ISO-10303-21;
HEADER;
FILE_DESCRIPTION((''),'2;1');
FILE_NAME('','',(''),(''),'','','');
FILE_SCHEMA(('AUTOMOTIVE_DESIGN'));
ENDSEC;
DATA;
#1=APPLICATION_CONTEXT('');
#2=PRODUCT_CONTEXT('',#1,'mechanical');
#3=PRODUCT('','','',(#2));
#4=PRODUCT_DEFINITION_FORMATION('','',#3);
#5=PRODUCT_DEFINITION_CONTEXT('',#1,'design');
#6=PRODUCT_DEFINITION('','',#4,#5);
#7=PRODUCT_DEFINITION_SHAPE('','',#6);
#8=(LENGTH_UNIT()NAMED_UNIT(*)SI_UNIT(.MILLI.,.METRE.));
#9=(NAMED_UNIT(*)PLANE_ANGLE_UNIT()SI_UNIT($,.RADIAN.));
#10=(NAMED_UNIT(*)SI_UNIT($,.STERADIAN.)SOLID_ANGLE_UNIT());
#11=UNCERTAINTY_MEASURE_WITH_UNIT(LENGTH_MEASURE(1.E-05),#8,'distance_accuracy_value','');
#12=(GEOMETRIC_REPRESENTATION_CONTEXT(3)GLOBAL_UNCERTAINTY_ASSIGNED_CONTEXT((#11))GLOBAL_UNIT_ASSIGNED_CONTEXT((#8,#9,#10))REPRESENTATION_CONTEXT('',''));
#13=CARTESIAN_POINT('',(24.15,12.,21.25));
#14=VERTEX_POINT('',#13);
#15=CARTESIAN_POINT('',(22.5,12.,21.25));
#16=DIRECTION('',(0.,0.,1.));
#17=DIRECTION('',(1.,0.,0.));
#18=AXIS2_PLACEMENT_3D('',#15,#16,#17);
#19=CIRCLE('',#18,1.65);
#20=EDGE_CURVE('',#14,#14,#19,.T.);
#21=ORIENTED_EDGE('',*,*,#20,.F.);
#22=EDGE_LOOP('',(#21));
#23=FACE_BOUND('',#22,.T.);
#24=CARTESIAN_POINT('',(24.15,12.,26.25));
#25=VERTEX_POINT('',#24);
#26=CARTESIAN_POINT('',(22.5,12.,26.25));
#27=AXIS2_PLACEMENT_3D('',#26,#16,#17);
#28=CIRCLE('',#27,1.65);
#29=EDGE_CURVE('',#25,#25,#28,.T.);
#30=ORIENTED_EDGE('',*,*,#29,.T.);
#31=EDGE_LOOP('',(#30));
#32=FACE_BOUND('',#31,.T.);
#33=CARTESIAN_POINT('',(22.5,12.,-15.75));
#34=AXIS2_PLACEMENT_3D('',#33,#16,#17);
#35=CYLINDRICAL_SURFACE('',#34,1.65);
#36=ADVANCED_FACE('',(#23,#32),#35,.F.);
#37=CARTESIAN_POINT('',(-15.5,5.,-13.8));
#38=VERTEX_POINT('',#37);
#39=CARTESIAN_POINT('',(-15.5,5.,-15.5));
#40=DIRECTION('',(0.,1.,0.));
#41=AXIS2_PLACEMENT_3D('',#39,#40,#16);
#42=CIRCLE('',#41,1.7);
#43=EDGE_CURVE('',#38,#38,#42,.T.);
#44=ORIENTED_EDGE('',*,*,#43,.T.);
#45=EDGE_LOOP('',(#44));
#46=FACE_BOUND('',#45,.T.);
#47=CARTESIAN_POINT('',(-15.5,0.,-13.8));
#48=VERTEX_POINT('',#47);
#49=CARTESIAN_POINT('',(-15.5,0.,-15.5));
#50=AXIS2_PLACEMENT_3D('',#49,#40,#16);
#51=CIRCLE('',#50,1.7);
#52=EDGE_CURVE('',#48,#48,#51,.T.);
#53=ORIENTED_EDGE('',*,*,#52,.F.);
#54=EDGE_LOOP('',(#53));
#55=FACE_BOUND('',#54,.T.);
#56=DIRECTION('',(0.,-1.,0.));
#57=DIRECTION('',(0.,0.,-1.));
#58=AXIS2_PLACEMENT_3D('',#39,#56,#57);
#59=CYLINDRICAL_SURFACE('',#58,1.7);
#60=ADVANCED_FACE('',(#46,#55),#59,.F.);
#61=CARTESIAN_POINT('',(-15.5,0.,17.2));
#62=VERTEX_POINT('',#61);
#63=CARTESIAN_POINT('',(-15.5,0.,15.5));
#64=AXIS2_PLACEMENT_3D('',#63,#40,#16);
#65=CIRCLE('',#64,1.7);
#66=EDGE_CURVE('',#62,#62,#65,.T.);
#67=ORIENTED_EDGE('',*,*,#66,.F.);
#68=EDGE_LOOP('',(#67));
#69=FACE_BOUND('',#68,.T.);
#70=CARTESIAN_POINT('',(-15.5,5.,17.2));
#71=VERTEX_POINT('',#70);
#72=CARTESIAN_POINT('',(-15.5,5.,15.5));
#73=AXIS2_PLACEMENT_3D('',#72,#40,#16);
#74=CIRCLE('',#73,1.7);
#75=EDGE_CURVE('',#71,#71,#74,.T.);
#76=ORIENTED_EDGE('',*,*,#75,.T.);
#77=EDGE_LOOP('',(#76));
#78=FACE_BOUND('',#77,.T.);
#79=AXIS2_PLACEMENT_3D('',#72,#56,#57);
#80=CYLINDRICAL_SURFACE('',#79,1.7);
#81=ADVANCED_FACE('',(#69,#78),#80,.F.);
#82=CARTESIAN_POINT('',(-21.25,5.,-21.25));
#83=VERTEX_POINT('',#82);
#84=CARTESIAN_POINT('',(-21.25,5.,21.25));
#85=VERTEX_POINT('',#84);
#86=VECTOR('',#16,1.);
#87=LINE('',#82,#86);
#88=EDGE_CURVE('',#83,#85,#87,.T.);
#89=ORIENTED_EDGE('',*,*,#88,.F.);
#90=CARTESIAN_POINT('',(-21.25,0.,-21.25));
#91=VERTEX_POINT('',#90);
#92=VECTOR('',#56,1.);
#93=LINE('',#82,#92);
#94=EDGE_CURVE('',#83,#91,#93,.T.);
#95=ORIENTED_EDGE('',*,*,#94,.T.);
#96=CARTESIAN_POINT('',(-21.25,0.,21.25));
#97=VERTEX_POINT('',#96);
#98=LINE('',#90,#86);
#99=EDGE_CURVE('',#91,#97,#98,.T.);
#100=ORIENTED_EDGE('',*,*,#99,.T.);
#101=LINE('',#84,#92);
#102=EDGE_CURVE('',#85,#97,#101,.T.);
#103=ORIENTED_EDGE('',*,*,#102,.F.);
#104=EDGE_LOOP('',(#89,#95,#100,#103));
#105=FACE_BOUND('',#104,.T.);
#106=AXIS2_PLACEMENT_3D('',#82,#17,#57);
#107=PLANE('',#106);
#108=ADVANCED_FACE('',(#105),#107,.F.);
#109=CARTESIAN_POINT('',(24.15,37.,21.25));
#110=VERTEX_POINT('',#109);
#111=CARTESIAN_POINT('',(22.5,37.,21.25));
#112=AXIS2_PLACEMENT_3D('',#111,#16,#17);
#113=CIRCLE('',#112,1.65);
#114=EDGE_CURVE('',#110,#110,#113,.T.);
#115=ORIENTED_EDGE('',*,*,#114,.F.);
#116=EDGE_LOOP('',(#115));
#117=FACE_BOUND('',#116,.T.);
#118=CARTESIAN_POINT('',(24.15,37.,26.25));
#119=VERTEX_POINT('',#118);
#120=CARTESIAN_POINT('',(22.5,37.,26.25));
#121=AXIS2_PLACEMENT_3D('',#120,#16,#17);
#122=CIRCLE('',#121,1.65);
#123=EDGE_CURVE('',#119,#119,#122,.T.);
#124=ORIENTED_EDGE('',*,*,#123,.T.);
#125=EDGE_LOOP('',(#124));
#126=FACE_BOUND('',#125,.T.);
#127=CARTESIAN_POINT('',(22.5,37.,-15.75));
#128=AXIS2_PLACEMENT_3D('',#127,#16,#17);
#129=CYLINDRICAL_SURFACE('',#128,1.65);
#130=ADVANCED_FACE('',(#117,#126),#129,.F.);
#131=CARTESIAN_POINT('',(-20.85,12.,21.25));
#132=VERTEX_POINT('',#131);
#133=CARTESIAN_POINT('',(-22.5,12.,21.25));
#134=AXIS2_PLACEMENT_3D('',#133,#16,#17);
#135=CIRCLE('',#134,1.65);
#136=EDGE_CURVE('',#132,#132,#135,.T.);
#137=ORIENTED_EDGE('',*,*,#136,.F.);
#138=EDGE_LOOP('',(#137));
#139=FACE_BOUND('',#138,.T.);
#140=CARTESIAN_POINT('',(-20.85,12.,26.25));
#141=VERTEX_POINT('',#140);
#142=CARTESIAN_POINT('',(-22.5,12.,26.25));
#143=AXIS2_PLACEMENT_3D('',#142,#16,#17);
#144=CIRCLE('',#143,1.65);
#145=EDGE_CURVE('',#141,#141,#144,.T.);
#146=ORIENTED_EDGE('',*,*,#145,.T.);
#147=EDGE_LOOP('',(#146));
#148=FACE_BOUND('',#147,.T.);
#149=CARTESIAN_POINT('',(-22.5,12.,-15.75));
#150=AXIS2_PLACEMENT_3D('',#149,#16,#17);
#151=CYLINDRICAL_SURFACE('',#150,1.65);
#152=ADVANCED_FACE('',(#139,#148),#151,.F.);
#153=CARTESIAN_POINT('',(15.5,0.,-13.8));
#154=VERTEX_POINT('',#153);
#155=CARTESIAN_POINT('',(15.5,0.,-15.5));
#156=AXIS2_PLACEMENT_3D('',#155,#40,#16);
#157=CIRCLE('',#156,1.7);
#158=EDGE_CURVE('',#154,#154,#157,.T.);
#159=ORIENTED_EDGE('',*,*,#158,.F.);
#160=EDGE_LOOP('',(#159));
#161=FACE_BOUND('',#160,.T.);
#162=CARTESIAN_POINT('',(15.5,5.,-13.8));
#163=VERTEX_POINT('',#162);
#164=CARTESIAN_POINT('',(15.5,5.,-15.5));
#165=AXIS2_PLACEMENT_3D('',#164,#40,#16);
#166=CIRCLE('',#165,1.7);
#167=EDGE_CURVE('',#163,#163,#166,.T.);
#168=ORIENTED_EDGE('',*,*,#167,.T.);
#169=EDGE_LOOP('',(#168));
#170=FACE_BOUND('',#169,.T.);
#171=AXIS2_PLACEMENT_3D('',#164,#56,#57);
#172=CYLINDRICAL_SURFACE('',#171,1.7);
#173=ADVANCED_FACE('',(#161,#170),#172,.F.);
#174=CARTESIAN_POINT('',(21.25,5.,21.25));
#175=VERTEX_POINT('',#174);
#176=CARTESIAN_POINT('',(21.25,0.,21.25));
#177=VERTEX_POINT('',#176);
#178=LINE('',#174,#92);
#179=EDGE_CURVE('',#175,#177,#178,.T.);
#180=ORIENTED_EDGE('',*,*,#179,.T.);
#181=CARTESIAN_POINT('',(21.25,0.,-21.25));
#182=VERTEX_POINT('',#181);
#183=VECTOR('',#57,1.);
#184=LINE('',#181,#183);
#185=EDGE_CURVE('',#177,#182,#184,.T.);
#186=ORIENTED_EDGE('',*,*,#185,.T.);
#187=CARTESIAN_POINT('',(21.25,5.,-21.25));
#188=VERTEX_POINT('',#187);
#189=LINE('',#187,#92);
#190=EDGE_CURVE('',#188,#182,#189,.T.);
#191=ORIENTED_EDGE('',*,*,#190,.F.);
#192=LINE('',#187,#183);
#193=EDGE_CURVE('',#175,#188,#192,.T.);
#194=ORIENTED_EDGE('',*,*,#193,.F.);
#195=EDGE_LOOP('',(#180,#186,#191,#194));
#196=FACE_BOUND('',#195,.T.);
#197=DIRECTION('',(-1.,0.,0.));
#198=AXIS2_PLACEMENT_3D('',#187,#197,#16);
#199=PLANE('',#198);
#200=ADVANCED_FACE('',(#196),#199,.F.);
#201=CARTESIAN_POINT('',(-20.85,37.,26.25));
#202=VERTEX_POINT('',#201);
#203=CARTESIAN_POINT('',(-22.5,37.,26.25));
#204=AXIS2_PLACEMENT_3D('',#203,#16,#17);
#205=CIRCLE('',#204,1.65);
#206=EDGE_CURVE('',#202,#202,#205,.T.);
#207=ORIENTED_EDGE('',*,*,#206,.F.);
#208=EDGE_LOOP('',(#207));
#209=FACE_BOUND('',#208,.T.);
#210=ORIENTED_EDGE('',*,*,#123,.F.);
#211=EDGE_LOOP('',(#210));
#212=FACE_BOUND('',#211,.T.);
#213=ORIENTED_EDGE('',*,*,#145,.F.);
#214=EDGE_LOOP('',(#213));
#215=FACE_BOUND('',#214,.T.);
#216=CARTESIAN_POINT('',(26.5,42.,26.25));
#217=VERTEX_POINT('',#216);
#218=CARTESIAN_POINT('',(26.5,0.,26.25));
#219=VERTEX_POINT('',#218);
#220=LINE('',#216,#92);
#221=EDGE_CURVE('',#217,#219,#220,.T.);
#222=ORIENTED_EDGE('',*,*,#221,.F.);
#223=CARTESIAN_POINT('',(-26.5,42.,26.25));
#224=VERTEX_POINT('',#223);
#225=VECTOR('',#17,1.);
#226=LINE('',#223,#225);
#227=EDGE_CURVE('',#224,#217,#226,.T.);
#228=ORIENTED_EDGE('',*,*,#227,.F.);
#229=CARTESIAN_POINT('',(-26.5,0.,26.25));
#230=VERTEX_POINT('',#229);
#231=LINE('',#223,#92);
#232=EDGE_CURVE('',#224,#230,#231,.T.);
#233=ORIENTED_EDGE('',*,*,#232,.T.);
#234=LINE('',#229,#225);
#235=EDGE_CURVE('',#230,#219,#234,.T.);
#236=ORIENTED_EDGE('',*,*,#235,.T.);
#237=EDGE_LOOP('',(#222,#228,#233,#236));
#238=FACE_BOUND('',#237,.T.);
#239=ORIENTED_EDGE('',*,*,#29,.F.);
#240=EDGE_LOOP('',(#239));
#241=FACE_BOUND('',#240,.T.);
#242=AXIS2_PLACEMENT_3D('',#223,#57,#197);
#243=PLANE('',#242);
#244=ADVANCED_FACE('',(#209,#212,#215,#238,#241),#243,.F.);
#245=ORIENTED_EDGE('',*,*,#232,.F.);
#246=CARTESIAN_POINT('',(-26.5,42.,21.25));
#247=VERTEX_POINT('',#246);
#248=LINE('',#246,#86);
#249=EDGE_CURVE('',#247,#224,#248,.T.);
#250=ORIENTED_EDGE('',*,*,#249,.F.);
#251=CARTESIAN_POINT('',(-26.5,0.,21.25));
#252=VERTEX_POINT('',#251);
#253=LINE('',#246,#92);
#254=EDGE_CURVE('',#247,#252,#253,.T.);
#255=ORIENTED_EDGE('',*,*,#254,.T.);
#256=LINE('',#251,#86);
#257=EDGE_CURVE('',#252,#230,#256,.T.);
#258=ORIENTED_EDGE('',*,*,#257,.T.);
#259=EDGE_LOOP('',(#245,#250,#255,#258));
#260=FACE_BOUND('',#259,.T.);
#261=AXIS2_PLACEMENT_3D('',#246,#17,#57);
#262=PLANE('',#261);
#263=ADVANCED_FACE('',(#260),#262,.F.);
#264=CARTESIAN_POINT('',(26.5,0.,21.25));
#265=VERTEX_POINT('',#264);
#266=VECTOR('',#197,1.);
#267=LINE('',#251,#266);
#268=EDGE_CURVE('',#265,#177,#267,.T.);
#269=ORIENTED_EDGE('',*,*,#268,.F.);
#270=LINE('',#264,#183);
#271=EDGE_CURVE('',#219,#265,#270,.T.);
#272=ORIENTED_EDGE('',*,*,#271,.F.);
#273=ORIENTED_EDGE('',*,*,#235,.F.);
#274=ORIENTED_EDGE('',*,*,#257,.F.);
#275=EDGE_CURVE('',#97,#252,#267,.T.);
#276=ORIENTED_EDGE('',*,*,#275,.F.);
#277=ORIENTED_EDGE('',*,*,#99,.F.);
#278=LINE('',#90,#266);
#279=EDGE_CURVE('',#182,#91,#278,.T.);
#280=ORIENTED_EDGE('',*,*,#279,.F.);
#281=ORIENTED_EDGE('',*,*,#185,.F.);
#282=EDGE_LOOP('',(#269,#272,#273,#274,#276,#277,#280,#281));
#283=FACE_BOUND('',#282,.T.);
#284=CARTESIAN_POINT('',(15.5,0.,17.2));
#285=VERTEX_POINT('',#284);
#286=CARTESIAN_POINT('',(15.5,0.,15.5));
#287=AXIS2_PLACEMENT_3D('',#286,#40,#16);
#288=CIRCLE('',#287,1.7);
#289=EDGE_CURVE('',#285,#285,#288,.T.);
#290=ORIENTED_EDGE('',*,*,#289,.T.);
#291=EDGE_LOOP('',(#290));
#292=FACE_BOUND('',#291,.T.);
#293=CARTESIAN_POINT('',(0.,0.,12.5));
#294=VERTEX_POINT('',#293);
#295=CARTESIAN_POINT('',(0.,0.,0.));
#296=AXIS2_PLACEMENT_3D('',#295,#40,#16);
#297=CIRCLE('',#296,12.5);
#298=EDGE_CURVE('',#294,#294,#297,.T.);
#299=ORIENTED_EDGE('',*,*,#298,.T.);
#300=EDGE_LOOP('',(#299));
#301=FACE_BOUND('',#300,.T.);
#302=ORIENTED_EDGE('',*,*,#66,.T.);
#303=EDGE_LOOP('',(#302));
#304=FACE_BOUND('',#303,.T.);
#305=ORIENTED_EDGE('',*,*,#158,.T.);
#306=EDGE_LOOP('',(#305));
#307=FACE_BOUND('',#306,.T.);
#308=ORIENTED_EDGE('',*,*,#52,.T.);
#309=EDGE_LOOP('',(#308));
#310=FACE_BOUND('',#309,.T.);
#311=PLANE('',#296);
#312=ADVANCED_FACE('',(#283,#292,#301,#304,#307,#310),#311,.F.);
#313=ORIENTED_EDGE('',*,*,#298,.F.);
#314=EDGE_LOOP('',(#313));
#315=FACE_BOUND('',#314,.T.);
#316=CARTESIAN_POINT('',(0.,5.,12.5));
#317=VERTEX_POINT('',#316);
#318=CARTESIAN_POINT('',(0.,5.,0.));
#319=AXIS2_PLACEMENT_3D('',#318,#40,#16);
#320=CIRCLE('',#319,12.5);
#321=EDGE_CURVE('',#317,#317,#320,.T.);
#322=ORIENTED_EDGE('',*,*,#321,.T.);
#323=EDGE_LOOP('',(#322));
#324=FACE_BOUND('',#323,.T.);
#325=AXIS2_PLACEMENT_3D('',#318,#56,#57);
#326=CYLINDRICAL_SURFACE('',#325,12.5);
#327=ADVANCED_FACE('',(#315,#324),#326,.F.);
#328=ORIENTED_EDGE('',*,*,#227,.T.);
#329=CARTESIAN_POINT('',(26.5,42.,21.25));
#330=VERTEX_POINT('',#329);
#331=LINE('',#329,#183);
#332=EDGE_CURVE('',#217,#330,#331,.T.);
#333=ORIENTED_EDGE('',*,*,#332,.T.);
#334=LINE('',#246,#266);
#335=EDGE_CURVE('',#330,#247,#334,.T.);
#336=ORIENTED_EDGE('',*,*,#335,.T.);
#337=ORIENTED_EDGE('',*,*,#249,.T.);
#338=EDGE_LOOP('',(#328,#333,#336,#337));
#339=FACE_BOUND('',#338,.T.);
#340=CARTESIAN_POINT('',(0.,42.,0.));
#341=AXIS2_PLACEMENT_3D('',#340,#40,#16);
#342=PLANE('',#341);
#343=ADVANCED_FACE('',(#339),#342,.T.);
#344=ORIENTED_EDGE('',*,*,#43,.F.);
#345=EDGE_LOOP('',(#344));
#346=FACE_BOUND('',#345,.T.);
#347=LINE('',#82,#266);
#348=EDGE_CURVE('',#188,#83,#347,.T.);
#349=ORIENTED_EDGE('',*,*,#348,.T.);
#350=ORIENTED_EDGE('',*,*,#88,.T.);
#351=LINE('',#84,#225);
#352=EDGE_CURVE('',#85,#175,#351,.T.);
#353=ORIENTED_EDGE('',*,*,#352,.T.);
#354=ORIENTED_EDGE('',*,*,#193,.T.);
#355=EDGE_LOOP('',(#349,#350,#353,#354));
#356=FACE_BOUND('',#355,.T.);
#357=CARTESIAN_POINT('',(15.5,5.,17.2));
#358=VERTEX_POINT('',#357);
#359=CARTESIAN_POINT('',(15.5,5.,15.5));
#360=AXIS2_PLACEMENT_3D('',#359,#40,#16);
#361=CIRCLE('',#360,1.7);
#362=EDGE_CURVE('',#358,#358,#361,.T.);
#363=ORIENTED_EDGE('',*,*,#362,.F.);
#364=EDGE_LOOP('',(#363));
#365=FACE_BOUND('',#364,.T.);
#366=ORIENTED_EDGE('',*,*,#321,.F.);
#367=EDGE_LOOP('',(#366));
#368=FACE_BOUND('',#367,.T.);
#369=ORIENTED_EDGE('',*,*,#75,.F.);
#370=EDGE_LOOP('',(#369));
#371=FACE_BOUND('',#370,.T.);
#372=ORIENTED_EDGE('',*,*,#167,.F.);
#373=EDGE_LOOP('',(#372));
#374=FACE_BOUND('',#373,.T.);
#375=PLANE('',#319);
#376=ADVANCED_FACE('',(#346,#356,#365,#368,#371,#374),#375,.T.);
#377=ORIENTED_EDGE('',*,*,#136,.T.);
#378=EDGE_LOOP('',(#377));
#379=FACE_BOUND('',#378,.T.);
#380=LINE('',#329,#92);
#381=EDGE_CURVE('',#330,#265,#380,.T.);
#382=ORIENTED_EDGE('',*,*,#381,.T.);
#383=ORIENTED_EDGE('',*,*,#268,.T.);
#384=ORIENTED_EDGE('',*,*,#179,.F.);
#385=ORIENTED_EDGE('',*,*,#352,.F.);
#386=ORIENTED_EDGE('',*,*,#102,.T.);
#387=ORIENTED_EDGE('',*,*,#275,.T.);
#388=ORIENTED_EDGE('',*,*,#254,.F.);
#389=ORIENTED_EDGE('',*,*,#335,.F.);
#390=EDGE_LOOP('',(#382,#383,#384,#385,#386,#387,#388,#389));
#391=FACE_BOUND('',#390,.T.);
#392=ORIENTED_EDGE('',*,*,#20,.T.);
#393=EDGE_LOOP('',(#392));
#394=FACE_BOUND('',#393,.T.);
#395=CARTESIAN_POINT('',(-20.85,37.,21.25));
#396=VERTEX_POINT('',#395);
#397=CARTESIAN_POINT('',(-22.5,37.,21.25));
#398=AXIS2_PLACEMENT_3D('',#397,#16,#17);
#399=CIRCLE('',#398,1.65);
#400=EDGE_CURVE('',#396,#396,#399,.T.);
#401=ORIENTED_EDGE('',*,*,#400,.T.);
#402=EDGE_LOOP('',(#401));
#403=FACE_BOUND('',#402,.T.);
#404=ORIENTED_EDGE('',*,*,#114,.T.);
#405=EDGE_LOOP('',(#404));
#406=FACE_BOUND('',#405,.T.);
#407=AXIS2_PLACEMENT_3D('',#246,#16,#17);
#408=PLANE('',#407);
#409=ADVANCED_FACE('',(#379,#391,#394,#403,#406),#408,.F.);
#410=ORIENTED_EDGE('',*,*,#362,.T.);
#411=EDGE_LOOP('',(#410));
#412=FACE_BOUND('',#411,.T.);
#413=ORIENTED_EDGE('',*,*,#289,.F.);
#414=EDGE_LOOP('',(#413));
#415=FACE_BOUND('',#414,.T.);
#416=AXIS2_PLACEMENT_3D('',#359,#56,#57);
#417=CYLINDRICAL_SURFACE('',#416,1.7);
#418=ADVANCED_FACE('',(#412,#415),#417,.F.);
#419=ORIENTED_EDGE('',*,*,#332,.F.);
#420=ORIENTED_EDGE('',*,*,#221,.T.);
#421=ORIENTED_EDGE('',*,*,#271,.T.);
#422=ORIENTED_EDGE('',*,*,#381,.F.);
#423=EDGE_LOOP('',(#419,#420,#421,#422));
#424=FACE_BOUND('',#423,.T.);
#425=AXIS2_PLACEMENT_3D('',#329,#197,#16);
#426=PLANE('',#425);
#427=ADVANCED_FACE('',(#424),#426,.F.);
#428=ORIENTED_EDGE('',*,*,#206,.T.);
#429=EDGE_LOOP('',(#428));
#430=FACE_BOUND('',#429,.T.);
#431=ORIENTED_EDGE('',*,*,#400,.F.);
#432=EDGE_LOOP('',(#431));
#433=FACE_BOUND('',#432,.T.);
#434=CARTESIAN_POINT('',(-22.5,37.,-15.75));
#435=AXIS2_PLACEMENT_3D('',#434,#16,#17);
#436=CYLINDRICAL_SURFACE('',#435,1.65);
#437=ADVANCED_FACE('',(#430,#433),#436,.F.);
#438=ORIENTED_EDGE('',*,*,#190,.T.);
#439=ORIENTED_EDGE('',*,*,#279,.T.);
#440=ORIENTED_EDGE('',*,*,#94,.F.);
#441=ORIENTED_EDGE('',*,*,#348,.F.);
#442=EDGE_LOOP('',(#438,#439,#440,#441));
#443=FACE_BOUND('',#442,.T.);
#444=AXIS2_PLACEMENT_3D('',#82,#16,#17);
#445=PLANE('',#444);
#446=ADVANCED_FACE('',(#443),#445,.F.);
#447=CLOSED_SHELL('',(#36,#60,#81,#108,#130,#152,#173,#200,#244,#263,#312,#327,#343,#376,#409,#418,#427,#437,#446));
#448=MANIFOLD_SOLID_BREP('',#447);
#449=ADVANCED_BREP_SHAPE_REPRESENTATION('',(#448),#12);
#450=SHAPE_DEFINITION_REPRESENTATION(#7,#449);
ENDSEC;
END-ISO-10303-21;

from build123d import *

# Parameters (mm, degrees)
SKETCH1_W           = 42.5
SKETCH1_H           = 42.5
SKETCH1_R           = 1.7
SKETCH1_R_2         = 12.5
BOSS_EXTRUDE1_DEPTH = 5
SKETCH3_W           = 53
SKETCH3_H           = 5
BOSS_EXTRUDE3_DEPTH = 42
SKETCH4_R           = 1.65
CUT_EXTRUDE1_DEPTH  = 42


with BuildPart() as part:
    # Sketch1 → Boss-Extrude1 (new body)
    with BuildSketch(Plane(origin=(0, 0, 0), x_dir=(1, 0, 0), z_dir=(0, 1, 0))):
        Rectangle(SKETCH1_W, SKETCH1_H)
        with Locations((-15.5, 15.5)):
            Circle(SKETCH1_R, mode=Mode.SUBTRACT)
        with Locations((15.5, 15.5)):
            Circle(SKETCH1_R, mode=Mode.SUBTRACT)
        with Locations((-15.5, -15.5)):
            Circle(SKETCH1_R, mode=Mode.SUBTRACT)
        with Locations((15.5, -15.5)):
            Circle(SKETCH1_R, mode=Mode.SUBTRACT)
        Circle(SKETCH1_R_2, mode=Mode.SUBTRACT)
    extrude(amount=BOSS_EXTRUDE1_DEPTH)

    # Sketch3 → Boss-Extrude3 (add)
    with BuildSketch(Plane(origin=(0, 0, 0), x_dir=(1, 0, 0), z_dir=(0, 1, 0))):
        with Locations((0, -23.75)):
            Rectangle(SKETCH3_W, SKETCH3_H)
    extrude(amount=BOSS_EXTRUDE3_DEPTH)

    # Sketch4 → Cut-Extrude1 (cut)
    with BuildSketch(Plane.XY.offset(26.25)):
        with Locations((22.5, 37)):
            Circle(SKETCH4_R)
        with Locations((22.5, 12)):
            Circle(SKETCH4_R)
        with Locations((-22.5, 37)):
            Circle(SKETCH4_R)
        with Locations((-22.5, 12)):
            Circle(SKETCH4_R)
    extrude(amount=-CUT_EXTRUDE1_DEPTH, mode=Mode.SUBTRACT)


solid = part.part
